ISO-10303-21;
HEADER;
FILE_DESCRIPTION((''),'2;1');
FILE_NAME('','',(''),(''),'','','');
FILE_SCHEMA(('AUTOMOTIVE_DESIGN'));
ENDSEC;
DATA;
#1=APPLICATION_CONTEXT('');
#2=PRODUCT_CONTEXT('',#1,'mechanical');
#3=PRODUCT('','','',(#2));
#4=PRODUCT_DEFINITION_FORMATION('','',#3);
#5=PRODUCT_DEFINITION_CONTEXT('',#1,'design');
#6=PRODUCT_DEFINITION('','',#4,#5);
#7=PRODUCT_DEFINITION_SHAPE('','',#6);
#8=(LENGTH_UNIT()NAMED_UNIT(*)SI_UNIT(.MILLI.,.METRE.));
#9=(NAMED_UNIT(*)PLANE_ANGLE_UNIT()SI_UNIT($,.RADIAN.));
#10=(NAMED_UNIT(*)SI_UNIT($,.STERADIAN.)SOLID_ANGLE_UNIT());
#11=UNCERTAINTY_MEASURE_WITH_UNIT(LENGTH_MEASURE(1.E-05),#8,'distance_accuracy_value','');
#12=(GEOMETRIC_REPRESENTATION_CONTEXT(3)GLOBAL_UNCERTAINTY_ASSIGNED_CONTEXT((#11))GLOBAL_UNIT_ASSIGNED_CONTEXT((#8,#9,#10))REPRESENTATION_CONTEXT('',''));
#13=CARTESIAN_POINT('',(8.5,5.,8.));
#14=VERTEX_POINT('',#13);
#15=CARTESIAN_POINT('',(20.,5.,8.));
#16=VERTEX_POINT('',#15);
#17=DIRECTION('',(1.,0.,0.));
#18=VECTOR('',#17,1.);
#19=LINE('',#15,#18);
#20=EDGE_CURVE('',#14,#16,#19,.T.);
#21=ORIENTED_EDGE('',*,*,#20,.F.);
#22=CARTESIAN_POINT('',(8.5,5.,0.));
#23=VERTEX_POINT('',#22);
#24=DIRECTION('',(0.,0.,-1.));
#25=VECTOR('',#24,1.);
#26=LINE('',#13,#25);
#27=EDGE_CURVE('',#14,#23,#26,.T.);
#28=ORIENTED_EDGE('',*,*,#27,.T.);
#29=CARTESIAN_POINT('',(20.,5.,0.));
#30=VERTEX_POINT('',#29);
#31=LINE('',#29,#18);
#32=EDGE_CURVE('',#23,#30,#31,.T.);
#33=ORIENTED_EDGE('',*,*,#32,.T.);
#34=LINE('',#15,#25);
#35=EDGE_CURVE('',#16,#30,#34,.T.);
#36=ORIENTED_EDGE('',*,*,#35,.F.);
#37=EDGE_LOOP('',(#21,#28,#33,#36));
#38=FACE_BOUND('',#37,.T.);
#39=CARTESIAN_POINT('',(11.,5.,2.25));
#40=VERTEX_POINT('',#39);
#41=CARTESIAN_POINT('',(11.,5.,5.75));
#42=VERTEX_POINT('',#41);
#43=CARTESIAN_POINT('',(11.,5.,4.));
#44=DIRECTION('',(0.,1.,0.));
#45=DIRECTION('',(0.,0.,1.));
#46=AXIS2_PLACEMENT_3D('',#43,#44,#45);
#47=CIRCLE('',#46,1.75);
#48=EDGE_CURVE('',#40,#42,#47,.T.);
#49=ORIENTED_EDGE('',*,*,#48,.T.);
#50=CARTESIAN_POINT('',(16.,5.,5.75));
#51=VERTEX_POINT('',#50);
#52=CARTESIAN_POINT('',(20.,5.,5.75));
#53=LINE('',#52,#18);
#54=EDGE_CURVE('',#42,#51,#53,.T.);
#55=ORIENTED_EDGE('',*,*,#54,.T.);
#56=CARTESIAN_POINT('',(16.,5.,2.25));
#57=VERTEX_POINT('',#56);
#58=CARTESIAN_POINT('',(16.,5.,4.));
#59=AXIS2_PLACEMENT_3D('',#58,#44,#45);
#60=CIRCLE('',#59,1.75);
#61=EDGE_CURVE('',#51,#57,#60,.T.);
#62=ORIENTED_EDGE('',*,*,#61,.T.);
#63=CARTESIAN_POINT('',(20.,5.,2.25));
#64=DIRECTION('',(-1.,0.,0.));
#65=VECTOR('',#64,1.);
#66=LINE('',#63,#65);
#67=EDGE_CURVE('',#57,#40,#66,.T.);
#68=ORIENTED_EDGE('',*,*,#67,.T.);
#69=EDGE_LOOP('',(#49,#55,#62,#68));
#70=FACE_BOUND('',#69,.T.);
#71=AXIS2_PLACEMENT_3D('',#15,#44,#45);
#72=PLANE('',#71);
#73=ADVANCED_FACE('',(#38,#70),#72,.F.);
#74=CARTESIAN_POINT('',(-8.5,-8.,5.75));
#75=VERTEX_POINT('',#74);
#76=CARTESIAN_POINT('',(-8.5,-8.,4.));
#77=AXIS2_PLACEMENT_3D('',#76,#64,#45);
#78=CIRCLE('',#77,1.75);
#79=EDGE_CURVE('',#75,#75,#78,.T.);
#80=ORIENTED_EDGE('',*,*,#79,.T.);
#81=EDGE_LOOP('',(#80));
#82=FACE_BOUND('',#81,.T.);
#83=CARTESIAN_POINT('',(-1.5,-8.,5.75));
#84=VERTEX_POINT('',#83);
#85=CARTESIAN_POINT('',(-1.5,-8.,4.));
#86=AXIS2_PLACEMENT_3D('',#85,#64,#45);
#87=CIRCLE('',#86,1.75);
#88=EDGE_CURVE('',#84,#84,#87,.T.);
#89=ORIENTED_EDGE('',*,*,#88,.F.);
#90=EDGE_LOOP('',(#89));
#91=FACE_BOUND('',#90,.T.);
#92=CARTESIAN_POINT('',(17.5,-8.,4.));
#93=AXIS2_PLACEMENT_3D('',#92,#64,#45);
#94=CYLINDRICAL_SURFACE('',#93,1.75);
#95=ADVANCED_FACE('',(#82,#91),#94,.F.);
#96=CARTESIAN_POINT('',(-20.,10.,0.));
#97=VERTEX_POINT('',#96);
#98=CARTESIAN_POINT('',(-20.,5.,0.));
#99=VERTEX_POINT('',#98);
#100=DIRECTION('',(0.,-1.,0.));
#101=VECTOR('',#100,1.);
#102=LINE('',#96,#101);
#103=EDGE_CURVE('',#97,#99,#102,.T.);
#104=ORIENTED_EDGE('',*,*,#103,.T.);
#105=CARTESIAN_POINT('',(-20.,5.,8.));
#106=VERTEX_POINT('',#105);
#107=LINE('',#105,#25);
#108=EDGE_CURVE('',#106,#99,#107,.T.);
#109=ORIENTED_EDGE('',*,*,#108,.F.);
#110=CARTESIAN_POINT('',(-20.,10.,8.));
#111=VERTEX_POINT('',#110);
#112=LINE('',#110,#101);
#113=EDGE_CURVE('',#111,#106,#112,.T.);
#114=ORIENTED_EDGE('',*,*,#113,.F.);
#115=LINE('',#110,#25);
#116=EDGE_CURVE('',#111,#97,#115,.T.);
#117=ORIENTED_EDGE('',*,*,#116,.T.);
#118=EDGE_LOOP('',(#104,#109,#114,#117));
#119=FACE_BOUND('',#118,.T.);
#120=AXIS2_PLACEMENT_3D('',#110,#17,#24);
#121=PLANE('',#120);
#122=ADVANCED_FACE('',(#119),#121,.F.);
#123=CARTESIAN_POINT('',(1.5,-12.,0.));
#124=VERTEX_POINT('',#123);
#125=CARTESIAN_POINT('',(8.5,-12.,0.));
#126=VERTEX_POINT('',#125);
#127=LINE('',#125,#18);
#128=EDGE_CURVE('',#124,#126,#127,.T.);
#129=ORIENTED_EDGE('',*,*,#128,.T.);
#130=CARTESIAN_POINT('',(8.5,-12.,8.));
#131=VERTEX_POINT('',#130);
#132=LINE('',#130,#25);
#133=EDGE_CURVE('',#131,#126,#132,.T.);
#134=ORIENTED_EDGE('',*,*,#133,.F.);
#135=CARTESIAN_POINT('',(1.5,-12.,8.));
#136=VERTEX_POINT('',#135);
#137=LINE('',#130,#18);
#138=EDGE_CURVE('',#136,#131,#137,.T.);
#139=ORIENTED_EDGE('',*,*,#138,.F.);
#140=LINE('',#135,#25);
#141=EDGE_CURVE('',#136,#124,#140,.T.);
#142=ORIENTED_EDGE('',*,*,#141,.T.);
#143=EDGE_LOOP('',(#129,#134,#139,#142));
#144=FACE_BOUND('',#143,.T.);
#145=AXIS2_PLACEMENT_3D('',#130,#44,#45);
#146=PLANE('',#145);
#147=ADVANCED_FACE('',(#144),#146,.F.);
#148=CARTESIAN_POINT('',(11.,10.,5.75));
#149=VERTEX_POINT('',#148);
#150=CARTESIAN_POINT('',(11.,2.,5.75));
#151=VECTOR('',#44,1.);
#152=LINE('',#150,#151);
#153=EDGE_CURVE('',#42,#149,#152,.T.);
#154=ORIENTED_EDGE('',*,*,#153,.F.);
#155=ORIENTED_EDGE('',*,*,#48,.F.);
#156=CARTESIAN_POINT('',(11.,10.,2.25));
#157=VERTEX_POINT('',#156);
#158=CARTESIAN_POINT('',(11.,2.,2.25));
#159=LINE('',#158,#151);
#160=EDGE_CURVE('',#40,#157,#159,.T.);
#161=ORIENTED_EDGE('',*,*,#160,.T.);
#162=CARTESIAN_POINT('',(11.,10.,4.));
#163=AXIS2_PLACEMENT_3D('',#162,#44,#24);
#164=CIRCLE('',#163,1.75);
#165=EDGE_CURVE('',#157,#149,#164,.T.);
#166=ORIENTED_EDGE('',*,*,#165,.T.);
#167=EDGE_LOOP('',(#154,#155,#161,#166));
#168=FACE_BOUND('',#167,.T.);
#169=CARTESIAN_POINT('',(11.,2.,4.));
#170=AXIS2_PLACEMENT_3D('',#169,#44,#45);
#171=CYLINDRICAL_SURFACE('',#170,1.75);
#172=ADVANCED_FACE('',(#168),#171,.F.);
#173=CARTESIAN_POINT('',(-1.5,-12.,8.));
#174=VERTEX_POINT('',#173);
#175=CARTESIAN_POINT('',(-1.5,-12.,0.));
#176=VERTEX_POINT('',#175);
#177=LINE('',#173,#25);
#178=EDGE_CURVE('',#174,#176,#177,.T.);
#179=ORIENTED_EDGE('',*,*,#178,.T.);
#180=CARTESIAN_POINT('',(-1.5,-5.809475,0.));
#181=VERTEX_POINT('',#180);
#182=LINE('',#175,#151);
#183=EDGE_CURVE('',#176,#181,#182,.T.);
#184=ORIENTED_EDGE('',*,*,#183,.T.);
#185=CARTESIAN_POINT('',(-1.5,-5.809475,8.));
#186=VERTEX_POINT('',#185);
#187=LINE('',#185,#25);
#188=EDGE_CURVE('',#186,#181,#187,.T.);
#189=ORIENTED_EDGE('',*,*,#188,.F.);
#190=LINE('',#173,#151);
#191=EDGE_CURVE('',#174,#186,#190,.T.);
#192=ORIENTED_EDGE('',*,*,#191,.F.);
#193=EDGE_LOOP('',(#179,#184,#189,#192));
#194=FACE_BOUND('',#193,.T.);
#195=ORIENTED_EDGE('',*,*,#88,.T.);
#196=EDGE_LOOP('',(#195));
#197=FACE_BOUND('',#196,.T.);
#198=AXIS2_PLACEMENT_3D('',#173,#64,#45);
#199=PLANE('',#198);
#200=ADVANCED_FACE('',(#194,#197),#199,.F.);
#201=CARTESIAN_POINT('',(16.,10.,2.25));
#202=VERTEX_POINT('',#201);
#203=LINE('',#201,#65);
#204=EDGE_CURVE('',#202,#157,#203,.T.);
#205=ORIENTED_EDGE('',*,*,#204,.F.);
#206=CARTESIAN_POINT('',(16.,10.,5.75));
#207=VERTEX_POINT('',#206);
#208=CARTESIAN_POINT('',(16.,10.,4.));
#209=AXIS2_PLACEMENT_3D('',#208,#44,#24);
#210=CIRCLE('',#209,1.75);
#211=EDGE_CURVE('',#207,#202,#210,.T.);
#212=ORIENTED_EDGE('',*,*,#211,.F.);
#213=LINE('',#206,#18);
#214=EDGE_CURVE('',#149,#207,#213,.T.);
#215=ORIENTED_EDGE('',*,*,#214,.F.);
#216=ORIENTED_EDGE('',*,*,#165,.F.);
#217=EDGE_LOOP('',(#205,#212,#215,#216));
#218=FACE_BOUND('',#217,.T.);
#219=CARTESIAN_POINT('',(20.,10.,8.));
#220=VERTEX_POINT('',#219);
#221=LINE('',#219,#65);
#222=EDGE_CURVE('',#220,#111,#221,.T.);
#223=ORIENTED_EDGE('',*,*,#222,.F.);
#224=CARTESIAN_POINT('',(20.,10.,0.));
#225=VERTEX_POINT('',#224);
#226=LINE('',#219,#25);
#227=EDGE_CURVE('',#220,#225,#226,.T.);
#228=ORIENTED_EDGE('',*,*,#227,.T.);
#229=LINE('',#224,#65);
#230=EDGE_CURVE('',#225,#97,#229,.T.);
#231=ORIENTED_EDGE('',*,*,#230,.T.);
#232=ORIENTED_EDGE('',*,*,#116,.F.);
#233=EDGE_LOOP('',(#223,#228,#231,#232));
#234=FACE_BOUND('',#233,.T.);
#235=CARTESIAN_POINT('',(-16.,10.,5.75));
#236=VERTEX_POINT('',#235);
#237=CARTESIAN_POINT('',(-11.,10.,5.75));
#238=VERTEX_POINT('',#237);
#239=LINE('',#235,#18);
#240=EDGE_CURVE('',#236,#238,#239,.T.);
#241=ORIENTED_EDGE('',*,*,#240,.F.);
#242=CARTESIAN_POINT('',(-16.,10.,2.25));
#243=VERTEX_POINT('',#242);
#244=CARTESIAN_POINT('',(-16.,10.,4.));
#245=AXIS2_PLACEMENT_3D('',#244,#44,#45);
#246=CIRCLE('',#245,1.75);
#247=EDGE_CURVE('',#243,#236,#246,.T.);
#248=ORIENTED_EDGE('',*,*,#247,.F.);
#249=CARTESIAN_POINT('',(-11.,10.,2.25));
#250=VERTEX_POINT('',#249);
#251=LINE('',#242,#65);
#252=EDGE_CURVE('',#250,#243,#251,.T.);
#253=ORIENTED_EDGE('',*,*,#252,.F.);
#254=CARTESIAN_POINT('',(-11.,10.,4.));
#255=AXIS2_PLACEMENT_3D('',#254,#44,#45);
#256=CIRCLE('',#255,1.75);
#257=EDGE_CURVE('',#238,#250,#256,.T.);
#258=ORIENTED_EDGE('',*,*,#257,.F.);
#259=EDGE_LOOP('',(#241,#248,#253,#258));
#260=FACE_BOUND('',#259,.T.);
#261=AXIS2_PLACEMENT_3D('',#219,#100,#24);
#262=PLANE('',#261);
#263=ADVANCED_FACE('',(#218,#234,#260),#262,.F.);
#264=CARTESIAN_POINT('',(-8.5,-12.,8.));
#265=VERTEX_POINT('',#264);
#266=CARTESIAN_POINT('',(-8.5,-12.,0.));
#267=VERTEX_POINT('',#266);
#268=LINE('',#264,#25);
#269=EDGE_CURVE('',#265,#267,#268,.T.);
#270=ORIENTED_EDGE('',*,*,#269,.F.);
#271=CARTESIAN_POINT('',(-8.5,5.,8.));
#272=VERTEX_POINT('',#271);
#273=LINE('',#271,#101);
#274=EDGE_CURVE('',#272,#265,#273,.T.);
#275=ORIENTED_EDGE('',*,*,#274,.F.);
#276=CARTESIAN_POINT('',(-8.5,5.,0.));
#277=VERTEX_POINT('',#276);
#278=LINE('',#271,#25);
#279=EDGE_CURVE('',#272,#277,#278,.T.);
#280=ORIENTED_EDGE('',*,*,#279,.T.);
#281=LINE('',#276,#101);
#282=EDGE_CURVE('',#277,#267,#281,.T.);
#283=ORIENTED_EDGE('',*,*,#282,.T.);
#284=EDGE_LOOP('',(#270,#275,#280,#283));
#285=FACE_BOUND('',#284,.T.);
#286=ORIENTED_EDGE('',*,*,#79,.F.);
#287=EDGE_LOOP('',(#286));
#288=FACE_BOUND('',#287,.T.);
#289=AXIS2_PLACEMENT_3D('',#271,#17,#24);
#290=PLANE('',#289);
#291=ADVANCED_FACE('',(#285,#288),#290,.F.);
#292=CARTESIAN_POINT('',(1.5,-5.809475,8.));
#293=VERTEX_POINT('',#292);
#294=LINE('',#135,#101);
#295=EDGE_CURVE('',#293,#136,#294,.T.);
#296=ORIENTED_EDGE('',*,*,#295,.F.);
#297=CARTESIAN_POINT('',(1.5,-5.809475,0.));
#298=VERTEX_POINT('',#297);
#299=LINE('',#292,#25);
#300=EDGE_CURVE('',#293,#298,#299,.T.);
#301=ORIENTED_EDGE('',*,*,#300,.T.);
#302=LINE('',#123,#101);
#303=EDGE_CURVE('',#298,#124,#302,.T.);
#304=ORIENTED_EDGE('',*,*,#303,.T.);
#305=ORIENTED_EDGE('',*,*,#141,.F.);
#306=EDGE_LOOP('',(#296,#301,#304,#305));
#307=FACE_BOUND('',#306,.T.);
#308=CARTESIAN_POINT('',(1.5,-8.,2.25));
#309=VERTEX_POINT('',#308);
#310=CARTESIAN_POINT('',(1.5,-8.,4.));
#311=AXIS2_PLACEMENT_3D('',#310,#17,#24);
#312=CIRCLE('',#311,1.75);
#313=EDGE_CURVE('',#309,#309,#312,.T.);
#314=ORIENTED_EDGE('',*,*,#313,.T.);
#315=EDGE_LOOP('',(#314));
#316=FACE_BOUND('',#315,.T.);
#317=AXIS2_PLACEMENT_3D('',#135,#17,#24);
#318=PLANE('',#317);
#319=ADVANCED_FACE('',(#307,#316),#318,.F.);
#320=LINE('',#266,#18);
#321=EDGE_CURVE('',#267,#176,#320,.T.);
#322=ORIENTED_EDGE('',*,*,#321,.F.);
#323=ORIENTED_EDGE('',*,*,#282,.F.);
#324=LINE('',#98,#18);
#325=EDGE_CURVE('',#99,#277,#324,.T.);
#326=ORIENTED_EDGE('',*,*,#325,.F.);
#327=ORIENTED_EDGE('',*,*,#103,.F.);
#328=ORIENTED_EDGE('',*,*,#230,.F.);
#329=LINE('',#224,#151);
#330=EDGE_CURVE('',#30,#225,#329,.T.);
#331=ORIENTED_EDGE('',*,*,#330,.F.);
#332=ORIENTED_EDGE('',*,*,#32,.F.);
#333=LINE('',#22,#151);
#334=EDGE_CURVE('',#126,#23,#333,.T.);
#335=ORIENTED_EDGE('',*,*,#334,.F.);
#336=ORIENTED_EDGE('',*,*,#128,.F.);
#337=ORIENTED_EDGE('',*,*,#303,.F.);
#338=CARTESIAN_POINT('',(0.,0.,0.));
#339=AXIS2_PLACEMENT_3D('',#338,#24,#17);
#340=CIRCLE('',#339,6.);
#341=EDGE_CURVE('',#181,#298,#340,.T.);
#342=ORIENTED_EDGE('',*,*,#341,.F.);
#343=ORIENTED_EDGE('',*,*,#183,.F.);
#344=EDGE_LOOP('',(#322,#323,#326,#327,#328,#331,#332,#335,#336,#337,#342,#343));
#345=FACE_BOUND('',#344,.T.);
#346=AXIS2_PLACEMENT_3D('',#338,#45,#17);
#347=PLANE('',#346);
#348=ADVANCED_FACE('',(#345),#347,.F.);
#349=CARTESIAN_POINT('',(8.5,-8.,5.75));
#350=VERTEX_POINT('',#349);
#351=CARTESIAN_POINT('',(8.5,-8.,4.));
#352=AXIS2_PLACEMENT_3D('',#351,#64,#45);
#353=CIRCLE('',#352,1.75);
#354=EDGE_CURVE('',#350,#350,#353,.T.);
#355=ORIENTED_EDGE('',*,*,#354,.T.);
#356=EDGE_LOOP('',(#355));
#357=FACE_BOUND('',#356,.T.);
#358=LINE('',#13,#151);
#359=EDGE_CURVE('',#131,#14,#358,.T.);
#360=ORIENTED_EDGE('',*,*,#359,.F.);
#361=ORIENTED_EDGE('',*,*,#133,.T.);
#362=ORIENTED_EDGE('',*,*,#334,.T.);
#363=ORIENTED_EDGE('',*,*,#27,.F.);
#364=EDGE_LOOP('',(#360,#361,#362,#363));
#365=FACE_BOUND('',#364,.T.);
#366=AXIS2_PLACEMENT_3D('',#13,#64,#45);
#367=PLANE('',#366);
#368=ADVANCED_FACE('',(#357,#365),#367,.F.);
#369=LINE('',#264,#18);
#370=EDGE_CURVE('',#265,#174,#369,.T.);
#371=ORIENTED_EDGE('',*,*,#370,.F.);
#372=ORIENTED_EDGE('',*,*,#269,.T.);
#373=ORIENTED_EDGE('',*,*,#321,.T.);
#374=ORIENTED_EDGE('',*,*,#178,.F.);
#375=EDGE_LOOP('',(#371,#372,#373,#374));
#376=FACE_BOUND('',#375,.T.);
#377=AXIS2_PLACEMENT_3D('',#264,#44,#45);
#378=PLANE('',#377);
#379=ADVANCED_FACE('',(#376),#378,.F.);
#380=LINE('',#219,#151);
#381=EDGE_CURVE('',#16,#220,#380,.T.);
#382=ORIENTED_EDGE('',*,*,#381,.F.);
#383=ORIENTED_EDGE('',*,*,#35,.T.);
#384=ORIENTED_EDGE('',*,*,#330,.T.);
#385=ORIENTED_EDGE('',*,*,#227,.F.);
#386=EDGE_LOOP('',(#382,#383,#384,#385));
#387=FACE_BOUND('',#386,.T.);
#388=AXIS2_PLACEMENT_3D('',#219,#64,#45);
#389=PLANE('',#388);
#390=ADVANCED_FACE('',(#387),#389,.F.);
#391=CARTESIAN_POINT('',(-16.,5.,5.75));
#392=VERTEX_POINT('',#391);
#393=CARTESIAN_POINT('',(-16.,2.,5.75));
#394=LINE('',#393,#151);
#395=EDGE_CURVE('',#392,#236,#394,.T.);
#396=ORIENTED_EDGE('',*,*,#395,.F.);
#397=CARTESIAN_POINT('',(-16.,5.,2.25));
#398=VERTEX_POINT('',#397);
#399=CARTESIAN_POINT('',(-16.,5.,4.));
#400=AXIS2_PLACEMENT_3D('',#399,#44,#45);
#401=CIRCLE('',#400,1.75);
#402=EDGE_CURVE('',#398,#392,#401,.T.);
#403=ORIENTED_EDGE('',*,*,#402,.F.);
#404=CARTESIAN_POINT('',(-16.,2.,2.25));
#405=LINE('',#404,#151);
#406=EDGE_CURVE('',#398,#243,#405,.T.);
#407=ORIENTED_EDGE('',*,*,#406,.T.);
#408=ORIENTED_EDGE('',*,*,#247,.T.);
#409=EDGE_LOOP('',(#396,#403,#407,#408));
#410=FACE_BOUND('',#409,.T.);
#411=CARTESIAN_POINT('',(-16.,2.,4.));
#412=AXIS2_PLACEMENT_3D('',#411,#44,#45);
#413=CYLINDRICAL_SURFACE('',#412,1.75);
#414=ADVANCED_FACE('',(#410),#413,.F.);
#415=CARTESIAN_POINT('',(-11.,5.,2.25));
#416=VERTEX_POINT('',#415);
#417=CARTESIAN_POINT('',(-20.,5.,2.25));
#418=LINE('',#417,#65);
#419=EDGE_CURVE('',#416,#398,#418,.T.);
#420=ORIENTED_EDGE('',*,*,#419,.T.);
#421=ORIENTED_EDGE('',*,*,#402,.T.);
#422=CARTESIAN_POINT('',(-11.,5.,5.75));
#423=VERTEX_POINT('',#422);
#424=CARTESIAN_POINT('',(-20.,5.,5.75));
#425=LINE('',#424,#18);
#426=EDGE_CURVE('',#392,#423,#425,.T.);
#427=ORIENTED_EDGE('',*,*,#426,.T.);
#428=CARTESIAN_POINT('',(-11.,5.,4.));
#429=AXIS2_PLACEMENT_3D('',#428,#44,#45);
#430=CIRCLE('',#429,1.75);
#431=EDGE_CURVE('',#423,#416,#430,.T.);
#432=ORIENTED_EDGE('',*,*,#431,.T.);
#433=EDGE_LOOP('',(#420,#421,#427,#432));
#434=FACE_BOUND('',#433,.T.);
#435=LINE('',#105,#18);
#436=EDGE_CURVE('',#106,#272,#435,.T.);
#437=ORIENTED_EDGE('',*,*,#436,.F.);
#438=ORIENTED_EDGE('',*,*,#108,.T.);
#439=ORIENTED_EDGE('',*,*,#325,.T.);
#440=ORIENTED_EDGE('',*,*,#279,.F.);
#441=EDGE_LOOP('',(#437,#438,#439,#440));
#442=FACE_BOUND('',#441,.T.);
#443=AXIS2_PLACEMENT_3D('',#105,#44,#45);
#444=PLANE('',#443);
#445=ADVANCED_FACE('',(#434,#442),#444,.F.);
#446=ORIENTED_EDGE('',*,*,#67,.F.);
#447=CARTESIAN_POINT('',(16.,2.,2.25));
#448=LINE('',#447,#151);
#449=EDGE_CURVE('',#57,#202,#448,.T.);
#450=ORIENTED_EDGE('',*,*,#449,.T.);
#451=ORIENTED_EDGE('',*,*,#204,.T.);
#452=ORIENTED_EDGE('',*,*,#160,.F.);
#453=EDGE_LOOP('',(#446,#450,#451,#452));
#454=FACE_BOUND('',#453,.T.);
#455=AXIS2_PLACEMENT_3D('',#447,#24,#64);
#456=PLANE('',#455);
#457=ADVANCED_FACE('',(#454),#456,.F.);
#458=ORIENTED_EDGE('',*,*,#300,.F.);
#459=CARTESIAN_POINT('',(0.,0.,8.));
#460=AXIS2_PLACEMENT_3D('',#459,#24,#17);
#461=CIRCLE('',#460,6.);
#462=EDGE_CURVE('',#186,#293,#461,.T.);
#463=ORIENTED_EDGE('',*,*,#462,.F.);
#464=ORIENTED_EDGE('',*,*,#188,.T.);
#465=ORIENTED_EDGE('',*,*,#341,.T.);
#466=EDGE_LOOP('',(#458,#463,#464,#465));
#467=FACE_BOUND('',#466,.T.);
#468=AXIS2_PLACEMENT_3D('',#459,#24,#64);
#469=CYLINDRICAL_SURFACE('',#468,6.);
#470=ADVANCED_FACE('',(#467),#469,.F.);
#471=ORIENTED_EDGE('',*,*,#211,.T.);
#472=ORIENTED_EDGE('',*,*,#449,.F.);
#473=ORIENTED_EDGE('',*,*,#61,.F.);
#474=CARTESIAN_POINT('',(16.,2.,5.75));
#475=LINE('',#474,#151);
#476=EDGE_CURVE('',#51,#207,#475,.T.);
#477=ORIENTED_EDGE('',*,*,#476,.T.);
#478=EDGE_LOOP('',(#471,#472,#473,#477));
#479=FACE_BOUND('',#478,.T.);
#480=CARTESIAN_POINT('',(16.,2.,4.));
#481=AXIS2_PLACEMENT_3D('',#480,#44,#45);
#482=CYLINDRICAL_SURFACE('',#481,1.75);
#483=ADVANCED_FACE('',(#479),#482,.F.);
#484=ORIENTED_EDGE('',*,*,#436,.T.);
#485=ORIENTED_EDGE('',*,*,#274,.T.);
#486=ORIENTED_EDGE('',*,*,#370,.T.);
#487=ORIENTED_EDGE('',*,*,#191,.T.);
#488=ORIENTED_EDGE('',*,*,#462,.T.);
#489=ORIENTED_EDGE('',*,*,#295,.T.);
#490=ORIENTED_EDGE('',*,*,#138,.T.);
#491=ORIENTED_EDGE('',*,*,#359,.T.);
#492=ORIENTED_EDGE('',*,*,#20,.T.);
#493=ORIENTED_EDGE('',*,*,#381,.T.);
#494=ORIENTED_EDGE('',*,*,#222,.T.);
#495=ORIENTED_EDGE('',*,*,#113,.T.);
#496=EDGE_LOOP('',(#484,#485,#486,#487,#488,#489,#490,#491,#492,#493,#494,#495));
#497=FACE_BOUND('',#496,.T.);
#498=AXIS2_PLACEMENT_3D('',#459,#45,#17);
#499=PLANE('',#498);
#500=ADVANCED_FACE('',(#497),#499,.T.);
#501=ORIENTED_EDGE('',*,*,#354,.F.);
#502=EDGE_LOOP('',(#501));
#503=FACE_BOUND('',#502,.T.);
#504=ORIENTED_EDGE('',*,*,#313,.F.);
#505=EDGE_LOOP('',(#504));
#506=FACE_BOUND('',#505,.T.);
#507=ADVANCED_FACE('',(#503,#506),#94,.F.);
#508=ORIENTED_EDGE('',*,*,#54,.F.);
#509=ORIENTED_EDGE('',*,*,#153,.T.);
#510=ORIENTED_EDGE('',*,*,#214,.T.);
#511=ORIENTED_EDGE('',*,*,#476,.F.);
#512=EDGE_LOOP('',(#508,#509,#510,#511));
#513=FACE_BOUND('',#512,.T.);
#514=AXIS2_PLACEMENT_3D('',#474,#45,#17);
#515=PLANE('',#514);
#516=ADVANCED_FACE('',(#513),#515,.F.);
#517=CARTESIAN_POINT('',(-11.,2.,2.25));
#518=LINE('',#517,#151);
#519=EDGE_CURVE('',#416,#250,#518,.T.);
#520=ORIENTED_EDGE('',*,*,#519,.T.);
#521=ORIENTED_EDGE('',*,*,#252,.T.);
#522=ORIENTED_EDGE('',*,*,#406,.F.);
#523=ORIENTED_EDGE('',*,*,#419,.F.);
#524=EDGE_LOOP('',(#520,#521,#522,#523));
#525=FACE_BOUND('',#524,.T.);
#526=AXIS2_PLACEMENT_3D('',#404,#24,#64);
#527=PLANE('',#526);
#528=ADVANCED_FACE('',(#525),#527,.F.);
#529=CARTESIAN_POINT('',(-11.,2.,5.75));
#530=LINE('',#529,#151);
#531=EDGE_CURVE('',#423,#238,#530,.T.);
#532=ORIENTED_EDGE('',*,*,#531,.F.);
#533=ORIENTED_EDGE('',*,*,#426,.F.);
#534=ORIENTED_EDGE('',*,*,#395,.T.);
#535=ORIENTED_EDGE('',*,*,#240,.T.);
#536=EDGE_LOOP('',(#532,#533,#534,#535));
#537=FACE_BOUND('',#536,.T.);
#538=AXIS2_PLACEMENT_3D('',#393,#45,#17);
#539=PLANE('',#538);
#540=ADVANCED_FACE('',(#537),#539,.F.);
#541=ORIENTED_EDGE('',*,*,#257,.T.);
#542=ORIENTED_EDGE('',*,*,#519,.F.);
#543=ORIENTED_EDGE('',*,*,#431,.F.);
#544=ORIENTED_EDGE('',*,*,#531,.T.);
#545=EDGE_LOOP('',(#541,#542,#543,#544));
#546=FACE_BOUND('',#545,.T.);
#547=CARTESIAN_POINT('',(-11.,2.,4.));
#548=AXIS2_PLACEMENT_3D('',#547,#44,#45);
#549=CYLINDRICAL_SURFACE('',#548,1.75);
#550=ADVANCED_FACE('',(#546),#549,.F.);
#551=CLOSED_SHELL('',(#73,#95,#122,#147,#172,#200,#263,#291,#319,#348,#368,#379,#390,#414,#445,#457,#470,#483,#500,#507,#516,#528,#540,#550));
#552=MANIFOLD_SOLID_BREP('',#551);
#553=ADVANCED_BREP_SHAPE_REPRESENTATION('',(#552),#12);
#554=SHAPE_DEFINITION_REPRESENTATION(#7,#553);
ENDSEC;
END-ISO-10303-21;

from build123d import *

# Parameters (mm, degrees)
EXTRUDE_1_DEPTH     = 8
CUT_EXTRUDE_1_DEPTH = 8
SKETCH_3_R          = 1.75
CUT_EXTRUDE_2_DEPTH = 26


with BuildPart() as part:
    # 草图1 → 凸台-拉伸1 (new body)
    with BuildSketch(Plane.XY):
        with BuildLine():
            Line((20, 10), (-20, 10))
            Line((-20, 10), (-20, 5))
            Line((-20, 5), (-8.5, 5))
            Line((-8.5, 5), (-8.5, -12))
            Line((-8.5, -12), (-1.5, -12))
            Line((-1.5, -12), (-1.5, -5.809475019))
            ThreePointArc((-1.5, -5.809475019), (0, 6), (1.5, -5.809475019))
            Line((1.5, -5.809475019), (1.5, -12))
            Line((1.5, -12), (8.5, -12))
            Line((8.5, -12), (8.5, 5))
            Line((8.5, 5), (20, 5))
            Line((20, 5), (20, 10))
        make_face()
    extrude(amount=EXTRUDE_1_DEPTH)

    # 草图2 → 切除-拉伸1 (cut)
    with BuildSketch(Plane(origin=(0, 10, 0), x_dir=(1, 0, 0), z_dir=(0, 1, 0))):
        with BuildLine():
            Line((-16, -2.25), (-11, -2.25))
            ThreePointArc((-11, -2.25), (-9.25, -4), (-11, -5.75))
            Line((-11, -5.75), (-16, -5.75))
            ThreePointArc((-16, -5.75), (-17.75, -4), (-16, -2.25))
        make_face()
        with BuildLine():
            Line((16, -5.75), (11, -5.75))
            ThreePointArc((11, -5.75), (9.25, -4), (11, -2.25))
            Line((11, -2.25), (16, -2.25))
            ThreePointArc((16, -2.25), (17.75, -4), (16, -5.75))
        make_face()
    extrude(amount=-CUT_EXTRUDE_1_DEPTH, mode=Mode.SUBTRACT)

    # 草图3 → 切除-拉伸2 (cut)
    with BuildSketch(Plane.ZY.offset(8.5)):
        with Locations((4, -8)):
            Circle(SKETCH_3_R)
    extrude(amount=-CUT_EXTRUDE_2_DEPTH, mode=Mode.SUBTRACT)


solid = part.part
